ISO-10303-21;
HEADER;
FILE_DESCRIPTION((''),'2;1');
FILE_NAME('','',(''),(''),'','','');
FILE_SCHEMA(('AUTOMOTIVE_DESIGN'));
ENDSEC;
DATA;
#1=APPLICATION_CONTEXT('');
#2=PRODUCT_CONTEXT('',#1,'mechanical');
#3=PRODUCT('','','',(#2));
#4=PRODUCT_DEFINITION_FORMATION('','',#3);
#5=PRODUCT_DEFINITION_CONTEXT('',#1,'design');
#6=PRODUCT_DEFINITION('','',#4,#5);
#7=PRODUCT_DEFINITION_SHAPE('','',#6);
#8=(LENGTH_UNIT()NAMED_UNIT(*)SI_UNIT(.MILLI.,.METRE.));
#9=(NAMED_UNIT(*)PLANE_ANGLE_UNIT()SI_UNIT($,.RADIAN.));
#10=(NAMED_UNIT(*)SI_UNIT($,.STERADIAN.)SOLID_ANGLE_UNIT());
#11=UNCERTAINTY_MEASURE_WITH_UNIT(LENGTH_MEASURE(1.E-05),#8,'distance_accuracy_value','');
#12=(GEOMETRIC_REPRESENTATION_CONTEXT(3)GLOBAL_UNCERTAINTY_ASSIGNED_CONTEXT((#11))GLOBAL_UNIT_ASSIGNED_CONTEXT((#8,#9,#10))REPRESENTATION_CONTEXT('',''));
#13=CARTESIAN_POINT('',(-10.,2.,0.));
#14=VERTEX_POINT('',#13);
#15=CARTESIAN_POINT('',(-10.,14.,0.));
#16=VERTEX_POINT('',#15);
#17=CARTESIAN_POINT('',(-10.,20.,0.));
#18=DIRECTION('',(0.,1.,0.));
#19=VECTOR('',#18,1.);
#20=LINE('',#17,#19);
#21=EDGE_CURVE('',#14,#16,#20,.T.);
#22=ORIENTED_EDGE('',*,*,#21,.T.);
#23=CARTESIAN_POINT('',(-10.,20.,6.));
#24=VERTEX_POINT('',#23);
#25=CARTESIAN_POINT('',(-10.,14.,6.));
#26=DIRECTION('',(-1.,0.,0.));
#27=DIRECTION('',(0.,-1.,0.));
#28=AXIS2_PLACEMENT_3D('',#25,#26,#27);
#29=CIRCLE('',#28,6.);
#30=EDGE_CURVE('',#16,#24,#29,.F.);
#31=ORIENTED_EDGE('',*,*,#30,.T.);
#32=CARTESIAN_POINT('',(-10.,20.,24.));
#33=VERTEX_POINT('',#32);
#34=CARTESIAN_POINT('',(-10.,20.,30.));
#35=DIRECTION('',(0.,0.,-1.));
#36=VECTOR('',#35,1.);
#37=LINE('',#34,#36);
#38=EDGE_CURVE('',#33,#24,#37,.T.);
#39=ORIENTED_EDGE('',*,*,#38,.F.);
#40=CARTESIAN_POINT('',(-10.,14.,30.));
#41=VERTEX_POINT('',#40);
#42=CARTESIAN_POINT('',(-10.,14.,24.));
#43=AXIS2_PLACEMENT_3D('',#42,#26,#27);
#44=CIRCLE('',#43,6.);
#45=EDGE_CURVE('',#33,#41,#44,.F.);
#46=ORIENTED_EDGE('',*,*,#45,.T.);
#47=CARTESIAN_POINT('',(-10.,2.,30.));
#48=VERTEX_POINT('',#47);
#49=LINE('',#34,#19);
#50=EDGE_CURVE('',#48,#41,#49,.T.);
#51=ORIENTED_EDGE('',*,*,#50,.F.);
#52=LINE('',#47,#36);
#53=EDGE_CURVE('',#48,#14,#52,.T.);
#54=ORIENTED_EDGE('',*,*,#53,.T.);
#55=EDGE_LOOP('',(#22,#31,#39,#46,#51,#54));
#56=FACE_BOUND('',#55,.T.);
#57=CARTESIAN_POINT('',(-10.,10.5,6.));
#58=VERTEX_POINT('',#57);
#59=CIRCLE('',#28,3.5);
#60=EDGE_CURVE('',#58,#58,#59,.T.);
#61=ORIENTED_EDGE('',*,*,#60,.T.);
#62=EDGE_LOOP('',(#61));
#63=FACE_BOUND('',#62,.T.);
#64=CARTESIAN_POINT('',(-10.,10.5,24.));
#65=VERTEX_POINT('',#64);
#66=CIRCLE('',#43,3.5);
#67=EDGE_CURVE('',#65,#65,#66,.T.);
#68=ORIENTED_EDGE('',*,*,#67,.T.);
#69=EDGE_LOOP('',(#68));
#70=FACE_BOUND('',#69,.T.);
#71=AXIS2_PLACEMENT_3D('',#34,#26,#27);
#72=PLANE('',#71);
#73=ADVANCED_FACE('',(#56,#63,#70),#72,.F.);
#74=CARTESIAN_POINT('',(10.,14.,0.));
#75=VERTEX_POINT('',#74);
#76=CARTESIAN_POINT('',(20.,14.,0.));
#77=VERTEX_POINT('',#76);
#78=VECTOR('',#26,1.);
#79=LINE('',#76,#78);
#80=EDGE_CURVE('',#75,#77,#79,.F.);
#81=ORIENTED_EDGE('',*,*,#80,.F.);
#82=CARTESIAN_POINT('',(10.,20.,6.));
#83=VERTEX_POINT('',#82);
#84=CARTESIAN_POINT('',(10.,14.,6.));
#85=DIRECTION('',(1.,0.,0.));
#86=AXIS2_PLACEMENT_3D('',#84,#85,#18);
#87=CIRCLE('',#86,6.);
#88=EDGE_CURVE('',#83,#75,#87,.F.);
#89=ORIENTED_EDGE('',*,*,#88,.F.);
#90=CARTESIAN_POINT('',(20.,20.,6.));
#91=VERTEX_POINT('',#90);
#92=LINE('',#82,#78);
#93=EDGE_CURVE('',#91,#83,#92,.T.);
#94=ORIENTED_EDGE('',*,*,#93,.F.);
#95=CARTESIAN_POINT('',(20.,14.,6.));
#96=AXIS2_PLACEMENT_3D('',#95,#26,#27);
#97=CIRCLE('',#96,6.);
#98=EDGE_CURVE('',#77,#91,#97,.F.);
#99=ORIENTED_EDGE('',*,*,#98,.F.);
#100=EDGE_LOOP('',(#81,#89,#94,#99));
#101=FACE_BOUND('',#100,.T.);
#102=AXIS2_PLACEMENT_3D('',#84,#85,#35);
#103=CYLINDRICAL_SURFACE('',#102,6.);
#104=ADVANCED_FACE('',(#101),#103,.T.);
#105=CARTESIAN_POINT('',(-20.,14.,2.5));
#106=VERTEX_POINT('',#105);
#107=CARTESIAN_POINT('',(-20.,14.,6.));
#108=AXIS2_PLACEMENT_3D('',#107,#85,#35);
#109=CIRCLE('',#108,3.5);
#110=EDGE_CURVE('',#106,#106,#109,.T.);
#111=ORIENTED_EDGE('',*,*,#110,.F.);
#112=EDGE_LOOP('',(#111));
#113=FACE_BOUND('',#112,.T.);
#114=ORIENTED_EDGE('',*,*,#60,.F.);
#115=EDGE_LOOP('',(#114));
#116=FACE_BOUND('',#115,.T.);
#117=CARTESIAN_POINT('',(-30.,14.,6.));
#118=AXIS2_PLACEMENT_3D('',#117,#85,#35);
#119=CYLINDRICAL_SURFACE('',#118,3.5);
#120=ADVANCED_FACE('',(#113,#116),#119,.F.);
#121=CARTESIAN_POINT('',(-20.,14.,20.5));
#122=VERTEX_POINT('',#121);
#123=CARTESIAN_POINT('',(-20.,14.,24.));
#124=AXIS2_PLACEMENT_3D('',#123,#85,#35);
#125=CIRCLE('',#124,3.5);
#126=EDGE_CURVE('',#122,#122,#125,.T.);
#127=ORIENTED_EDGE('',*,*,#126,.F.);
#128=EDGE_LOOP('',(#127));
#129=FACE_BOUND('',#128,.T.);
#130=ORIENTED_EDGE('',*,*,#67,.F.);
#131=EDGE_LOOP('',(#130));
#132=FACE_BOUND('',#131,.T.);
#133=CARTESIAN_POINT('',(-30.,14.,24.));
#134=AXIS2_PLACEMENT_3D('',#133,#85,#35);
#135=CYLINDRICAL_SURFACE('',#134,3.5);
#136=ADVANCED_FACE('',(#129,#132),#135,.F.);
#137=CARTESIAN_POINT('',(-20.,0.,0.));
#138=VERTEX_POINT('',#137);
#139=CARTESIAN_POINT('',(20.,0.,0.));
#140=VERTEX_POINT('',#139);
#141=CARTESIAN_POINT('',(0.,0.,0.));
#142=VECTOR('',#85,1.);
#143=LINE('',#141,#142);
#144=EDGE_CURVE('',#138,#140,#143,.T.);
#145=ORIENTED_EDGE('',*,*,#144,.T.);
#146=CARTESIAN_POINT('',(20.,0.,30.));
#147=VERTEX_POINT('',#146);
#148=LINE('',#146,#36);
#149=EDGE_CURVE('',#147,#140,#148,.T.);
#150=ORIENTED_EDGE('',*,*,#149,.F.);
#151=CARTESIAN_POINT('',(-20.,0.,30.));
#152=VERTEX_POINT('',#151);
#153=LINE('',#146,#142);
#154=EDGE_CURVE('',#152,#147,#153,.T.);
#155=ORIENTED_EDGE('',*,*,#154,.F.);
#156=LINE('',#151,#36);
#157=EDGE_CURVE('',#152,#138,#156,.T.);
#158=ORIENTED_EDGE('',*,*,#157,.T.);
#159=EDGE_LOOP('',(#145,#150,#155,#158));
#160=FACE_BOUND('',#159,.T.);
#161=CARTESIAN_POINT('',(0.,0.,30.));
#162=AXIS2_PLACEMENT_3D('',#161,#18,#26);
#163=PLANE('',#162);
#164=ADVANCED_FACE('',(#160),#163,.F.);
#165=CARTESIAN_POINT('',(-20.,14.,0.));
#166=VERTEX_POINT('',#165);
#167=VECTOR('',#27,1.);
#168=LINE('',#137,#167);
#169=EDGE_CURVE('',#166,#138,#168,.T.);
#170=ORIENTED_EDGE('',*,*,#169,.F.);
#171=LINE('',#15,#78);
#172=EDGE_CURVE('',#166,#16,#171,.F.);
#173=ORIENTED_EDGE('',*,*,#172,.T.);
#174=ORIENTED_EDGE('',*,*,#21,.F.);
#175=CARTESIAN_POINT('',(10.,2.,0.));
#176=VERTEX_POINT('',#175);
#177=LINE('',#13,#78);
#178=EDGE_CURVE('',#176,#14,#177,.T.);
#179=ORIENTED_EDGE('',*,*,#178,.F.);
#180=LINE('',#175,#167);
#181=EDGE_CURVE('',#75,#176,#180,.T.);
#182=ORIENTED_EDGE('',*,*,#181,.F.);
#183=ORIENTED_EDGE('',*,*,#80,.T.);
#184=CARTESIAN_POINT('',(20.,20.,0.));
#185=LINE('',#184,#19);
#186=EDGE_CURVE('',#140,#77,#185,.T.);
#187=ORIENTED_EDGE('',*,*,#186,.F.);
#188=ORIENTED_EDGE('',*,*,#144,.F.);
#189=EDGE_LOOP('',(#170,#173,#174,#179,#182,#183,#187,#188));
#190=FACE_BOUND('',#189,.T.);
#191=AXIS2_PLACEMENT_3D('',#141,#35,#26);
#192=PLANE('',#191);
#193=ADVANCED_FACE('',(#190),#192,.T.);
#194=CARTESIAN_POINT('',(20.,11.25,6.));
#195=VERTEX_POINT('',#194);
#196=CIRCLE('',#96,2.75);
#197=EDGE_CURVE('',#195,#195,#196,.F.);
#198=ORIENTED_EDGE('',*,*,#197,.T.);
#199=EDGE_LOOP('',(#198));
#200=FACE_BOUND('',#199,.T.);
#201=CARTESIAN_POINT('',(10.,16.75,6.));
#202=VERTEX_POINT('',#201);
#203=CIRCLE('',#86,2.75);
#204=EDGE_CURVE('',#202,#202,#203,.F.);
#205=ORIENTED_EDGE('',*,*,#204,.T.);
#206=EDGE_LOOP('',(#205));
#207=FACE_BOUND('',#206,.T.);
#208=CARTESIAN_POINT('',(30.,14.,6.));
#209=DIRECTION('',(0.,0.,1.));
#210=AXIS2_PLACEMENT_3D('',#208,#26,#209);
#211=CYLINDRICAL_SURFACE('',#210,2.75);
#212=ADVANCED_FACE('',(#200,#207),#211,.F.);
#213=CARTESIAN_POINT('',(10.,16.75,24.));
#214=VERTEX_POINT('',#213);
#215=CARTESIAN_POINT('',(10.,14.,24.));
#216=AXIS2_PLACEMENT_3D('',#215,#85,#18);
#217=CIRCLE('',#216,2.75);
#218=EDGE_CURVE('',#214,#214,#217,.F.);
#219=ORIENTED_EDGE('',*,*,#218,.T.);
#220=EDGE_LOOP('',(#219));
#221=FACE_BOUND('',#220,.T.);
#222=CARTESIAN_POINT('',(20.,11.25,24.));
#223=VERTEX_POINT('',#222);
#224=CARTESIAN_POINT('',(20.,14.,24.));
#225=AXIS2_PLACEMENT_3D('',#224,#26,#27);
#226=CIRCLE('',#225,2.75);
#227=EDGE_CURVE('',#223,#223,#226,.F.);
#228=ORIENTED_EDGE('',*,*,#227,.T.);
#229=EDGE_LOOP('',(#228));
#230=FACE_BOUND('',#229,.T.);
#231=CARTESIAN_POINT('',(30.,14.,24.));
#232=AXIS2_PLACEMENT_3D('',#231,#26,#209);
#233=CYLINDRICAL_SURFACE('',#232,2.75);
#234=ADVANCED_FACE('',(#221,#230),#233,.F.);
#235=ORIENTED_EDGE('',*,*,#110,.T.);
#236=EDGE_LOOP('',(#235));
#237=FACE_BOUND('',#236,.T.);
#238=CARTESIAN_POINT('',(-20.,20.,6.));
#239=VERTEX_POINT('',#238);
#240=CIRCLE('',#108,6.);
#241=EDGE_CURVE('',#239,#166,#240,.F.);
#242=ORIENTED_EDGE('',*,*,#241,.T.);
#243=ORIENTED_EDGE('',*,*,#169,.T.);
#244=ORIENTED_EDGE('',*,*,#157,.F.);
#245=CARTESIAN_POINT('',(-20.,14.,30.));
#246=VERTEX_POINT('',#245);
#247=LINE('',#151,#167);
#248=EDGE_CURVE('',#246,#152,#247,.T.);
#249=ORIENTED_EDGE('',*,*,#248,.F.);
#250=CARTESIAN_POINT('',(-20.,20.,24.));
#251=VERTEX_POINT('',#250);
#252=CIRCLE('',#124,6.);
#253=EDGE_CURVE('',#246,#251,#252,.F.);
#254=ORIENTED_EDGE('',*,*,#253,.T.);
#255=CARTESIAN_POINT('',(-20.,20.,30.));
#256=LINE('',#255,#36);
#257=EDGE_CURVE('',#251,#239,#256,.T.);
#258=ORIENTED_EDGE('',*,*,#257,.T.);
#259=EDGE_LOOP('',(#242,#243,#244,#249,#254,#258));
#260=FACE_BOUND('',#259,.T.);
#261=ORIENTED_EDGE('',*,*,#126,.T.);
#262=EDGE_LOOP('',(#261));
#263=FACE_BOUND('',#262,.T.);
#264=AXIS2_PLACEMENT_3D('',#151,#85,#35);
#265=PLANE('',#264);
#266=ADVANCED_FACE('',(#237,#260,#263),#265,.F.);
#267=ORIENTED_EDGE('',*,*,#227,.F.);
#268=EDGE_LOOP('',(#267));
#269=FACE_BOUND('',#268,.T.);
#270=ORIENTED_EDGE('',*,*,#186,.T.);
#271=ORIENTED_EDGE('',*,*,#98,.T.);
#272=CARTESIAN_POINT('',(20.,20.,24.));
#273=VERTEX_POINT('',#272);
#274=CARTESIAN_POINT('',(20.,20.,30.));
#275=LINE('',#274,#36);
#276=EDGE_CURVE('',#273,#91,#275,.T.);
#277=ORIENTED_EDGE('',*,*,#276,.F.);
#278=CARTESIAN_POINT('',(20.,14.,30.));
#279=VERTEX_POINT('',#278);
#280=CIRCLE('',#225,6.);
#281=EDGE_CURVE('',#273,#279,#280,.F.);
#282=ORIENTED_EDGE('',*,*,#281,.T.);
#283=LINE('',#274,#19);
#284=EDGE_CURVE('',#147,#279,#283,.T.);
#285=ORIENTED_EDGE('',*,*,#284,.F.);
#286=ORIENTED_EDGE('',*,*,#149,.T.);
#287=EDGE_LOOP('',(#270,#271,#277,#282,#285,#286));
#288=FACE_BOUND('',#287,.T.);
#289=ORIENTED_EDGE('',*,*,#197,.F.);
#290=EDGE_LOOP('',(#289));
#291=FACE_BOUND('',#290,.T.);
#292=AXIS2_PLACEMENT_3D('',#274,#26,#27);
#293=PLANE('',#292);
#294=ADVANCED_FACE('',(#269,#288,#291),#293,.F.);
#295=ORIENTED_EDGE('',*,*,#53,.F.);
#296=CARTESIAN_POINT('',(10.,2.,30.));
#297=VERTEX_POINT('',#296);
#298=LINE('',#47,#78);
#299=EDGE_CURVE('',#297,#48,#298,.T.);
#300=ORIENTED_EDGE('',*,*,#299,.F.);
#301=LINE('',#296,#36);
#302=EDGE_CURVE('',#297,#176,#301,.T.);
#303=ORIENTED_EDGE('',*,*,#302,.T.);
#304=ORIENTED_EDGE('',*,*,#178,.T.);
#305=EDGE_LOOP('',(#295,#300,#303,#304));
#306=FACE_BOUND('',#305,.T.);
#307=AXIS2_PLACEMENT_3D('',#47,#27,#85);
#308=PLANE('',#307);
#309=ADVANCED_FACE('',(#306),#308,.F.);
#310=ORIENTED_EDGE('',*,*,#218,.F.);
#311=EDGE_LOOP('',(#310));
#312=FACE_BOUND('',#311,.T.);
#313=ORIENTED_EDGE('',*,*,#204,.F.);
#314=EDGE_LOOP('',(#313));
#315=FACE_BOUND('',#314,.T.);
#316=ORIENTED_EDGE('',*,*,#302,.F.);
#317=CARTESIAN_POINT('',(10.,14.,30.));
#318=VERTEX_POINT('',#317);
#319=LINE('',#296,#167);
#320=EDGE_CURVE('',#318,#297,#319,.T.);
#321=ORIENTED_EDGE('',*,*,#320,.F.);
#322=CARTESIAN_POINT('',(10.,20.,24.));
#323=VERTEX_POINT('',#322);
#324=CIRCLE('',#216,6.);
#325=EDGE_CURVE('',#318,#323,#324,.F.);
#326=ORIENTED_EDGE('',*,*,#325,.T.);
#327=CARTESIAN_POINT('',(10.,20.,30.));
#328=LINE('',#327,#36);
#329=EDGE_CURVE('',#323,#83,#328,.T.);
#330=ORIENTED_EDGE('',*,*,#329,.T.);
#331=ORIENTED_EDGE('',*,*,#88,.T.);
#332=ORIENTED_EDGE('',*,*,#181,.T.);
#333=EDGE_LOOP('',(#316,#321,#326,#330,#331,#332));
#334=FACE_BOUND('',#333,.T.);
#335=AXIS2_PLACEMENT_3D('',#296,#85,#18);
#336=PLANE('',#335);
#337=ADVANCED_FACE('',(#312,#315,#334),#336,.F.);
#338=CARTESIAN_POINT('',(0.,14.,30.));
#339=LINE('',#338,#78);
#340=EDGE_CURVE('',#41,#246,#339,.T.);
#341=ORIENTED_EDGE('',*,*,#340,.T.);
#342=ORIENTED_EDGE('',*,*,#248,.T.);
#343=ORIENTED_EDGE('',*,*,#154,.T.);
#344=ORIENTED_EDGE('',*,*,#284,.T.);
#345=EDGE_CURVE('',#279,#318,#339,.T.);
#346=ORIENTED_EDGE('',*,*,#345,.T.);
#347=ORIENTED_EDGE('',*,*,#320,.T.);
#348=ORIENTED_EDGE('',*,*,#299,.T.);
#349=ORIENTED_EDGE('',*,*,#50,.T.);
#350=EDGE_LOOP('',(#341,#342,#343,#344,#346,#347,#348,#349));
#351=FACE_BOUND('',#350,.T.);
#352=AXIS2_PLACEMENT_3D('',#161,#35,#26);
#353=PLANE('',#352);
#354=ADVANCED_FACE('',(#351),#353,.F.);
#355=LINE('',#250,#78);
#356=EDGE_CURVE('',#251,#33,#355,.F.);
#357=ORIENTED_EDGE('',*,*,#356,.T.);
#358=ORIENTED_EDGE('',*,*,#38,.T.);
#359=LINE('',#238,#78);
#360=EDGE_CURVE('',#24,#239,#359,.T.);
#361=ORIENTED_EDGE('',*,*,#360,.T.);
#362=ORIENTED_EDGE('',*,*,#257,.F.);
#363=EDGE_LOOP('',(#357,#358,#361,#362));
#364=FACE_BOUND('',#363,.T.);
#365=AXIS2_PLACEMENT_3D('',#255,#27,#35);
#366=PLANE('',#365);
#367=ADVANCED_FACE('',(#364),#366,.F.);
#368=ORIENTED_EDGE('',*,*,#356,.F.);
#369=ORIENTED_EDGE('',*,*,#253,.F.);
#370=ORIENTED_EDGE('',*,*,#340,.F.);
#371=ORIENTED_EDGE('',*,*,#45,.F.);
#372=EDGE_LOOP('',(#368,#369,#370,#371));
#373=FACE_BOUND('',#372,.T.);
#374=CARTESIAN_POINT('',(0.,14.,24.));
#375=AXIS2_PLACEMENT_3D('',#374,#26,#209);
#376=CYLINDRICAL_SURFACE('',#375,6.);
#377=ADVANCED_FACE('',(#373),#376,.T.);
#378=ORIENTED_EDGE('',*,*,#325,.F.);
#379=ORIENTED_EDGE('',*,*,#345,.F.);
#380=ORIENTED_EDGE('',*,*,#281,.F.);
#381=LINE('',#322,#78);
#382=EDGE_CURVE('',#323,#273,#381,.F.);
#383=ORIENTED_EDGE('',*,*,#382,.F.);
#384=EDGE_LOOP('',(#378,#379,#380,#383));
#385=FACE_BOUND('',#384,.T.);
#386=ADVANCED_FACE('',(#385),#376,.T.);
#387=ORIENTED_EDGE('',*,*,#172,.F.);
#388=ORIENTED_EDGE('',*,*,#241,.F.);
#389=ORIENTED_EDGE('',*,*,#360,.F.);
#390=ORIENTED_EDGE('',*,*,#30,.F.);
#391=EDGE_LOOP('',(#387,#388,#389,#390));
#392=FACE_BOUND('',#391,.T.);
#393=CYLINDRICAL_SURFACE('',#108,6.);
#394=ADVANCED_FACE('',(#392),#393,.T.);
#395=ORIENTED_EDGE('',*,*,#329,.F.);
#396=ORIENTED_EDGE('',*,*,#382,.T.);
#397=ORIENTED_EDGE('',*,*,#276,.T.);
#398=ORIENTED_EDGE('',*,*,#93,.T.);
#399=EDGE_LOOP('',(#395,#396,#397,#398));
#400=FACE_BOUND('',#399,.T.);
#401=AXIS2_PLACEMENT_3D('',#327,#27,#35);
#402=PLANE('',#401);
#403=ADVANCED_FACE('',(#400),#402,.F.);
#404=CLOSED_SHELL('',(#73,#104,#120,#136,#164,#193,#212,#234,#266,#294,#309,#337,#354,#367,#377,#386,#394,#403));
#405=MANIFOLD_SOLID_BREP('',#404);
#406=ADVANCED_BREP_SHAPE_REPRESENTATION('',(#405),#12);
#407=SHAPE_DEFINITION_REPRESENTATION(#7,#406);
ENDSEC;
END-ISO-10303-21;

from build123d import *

# Parameters (mm, degrees)
BOSS_EXTRUDE1_DEPTH = 30
FILLET1_R           = 6
SKETCH2_R           = 3.5
CUT_EXTRUDE1_DEPTH  = 30
SKETCH3_R           = 2.75
CUT_EXTRUDE2_DEPTH  = 30


with BuildPart() as part:
    # Sketch1 → Boss-Extrude1 (new body)
    with BuildSketch(Plane.XY):
        Polygon((0, 0), (-20, 0), (-20, 20), (-10, 20), (-10, 2), (10, 2), (10, 20), (20, 20), (20, 0), align=None)
    extrude(amount=BOSS_EXTRUDE1_DEPTH)

    # Fillet1
    fillet1_edges = [part.edges().sort_by_distance(p)[0] for p in [
        (15, 20, 30),
        (15, 20, 0),
        (-15, 20, 30),
        (-15, 20, 0),
    ]]
    fillet(fillet1_edges, radius=FILLET1_R)

    # Sketch2 → Cut-Extrude1 (cut)
    with BuildSketch(Plane(origin=(0, 0, 0), x_dir=(0, 0, -1), z_dir=(1, 0, 0))):
        with Locations((-24, 14)):
            Circle(SKETCH2_R)
        with Locations((-6, 14)):
            Circle(SKETCH2_R)
    extrude(amount=-CUT_EXTRUDE1_DEPTH, mode=Mode.SUBTRACT)

    # Sketch3 → Cut-Extrude2 (cut)
    with BuildSketch(Plane(origin=(0, 0, 0), x_dir=(0, 0, -1), z_dir=(1, 0, 0))):
        with Locations(Location((-6, 14, 0), (0, 0, 90))):
            Circle(SKETCH3_R)
        with Locations(Location((-24, 14, 0), (0, 0, 90))):
            Circle(SKETCH3_R)
    extrude(amount=CUT_EXTRUDE2_DEPTH, mode=Mode.SUBTRACT)


solid = part.part
